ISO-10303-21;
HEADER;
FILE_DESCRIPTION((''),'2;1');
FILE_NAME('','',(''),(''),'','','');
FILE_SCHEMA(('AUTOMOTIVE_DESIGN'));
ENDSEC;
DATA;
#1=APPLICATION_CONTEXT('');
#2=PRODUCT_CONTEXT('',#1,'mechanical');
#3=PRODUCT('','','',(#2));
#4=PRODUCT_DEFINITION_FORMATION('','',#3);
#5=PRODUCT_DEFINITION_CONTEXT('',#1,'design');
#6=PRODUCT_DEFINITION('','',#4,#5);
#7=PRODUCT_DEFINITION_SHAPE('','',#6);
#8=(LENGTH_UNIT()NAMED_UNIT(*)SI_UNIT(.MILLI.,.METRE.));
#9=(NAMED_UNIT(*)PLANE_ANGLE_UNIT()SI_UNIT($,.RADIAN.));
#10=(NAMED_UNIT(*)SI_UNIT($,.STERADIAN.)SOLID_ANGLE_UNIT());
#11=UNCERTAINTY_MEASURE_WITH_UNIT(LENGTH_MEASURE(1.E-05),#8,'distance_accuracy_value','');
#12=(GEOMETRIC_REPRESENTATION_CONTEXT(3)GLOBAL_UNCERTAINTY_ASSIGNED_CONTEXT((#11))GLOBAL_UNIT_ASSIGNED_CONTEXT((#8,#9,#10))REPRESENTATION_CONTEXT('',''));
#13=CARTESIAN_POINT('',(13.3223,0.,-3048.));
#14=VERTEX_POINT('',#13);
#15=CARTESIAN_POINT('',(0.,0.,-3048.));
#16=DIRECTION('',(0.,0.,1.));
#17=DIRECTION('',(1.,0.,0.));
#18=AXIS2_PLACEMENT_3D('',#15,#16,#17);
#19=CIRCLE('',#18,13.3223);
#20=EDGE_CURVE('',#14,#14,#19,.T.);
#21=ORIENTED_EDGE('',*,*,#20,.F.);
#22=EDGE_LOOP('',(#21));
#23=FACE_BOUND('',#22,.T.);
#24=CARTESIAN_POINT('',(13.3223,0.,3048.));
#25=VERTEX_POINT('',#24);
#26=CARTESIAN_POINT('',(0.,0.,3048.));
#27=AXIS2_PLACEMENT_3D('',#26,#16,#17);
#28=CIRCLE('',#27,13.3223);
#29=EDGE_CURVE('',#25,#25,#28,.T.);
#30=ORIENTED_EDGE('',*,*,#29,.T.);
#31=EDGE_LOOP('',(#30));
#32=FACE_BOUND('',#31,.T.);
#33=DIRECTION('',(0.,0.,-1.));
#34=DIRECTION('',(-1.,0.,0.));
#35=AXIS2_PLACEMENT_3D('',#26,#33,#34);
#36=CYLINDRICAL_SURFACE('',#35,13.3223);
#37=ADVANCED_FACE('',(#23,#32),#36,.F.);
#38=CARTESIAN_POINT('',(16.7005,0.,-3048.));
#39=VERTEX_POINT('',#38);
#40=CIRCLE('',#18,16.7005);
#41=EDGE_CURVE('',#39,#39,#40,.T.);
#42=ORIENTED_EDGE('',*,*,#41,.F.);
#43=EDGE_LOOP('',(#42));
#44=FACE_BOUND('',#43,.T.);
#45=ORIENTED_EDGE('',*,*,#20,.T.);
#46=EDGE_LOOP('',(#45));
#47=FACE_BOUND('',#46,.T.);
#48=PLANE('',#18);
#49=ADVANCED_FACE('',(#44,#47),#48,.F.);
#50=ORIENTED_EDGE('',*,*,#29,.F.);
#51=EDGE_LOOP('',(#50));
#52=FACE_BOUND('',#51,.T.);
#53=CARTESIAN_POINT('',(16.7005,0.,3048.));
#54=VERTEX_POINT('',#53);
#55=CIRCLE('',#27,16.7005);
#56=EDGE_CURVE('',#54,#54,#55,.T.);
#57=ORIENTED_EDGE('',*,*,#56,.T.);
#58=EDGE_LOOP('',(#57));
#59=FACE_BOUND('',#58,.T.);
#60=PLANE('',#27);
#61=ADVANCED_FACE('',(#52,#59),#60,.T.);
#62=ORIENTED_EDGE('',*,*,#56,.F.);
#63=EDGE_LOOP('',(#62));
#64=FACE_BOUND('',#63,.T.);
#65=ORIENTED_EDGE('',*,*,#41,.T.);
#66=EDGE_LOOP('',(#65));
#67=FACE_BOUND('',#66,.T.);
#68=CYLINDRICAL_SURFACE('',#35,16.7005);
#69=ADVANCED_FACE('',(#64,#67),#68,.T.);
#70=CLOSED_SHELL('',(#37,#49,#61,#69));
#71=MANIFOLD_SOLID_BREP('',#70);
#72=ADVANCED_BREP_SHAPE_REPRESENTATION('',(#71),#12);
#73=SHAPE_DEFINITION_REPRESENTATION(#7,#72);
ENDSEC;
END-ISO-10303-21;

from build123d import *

# Parameters (mm, degrees)
SKETCH1_R      = 16.7005
SKETCH1_R_2    = 13.3223
BASEPIPE_DEPTH = 3048


with BuildPart() as part:
    # Sketch1 → BasePipe (new, symmetric)
    with BuildSketch(Plane.XY):
        Circle(SKETCH1_R)
        Circle(SKETCH1_R_2, mode=Mode.SUBTRACT)
    extrude(amount=BASEPIPE_DEPTH, both=True)


solid = part.part
